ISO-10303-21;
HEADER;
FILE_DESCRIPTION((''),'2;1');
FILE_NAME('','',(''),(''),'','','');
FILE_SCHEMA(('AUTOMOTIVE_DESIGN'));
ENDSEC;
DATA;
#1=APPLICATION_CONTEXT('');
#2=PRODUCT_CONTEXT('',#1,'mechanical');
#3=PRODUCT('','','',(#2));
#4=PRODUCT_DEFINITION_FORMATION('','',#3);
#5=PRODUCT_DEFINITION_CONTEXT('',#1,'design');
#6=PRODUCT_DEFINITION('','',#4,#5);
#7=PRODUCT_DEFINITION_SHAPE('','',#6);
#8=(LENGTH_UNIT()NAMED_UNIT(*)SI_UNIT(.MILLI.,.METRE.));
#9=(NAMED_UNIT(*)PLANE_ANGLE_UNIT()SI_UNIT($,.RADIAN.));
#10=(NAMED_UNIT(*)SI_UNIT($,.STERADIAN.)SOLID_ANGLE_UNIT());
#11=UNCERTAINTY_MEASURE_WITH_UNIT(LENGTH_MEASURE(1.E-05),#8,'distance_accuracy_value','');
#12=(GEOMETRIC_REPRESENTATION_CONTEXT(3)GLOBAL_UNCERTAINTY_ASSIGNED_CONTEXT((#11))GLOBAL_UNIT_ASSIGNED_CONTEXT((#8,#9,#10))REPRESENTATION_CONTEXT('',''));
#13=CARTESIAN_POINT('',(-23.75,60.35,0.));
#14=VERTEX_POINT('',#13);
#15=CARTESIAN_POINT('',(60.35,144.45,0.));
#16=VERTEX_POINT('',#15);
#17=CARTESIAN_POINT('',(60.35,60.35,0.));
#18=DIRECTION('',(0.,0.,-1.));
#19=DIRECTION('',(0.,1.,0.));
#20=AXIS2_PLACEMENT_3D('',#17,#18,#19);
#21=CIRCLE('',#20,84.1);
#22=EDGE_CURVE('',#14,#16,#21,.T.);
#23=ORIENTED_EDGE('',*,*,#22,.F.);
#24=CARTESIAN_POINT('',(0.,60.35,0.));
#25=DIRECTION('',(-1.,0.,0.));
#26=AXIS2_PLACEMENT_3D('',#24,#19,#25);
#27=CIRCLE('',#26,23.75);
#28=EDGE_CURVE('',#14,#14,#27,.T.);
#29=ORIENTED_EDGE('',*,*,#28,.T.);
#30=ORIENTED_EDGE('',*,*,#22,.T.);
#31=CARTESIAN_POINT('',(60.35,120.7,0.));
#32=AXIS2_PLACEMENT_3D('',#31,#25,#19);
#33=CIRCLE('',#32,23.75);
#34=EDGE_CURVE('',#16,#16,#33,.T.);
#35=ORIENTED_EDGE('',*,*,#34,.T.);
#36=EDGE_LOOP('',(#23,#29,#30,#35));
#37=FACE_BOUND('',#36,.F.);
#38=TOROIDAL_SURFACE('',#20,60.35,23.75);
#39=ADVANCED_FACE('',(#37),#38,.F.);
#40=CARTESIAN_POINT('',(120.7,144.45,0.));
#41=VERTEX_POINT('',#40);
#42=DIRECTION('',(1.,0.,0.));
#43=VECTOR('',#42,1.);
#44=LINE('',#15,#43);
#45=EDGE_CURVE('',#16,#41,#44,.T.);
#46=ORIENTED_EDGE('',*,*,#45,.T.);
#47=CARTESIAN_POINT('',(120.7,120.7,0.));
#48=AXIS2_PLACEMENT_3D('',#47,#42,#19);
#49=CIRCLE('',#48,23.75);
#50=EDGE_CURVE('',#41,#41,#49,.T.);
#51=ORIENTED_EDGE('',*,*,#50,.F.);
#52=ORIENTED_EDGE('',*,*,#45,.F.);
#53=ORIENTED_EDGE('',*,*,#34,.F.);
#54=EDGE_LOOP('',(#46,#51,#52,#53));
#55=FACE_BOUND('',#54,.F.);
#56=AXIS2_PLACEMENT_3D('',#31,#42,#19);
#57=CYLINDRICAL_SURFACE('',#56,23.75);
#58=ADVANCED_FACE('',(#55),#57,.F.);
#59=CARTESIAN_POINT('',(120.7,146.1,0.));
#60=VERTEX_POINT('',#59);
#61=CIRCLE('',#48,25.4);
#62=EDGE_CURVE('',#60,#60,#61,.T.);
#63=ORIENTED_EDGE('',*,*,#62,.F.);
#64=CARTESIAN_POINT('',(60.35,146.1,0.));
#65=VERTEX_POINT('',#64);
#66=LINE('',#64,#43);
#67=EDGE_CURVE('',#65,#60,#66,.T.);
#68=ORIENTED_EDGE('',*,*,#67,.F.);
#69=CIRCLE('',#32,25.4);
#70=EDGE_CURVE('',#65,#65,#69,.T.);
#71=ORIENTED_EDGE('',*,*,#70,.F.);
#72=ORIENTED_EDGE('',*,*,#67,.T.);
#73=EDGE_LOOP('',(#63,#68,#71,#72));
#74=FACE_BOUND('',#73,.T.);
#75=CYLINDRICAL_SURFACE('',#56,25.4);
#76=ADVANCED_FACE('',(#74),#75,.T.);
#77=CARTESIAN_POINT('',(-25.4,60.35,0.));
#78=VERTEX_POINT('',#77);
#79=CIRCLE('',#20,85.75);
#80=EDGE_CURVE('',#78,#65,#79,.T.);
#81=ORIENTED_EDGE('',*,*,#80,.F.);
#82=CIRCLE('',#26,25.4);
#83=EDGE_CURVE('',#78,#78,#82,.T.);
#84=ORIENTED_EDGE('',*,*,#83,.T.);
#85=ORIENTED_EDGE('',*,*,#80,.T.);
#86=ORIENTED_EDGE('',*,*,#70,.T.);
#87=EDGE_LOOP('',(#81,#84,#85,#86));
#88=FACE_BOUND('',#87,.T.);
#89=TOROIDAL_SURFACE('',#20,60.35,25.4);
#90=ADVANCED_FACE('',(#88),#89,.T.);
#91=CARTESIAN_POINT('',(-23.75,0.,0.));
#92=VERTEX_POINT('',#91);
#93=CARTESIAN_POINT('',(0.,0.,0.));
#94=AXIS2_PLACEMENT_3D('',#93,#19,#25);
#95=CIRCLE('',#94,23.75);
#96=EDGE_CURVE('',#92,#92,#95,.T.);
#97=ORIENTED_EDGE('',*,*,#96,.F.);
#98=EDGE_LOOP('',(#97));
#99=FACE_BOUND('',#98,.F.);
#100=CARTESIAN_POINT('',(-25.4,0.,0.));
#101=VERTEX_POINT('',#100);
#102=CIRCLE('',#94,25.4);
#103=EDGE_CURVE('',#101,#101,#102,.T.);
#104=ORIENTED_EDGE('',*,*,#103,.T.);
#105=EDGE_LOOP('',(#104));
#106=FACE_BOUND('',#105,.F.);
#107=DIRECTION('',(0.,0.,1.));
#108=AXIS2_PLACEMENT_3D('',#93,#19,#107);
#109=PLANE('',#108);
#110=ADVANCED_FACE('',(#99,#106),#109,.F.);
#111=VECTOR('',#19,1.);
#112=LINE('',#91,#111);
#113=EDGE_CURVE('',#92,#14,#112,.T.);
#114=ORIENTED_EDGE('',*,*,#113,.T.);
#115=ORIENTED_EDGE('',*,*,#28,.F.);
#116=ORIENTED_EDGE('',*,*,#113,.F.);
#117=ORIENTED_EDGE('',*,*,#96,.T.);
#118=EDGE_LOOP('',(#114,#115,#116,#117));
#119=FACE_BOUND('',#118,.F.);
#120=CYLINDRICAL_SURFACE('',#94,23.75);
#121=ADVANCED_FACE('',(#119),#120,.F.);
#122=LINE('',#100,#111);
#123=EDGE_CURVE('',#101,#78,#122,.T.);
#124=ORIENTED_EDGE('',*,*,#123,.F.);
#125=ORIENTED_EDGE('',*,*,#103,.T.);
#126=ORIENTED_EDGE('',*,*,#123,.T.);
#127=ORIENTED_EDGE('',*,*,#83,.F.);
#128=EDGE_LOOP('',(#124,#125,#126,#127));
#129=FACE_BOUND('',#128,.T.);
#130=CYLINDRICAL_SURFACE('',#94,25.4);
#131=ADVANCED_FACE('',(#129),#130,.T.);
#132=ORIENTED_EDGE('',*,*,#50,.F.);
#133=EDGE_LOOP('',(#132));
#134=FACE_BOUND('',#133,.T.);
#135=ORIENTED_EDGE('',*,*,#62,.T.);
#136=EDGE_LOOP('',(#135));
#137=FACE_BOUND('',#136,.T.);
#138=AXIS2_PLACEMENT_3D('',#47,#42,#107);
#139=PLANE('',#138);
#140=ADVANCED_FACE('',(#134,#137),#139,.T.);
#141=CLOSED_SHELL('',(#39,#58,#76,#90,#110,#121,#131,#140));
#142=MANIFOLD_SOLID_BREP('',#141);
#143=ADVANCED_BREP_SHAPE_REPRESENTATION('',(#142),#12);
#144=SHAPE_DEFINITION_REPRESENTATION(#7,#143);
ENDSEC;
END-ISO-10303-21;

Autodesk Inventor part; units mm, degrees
ref_plane "YZ Plane" through (0, 0, 0) normal (1, 0, 0) x (0, 1, 0)
ref_plane "XZ Plane" through (0, 0, 0) normal (0, 1, 0) x (-1, 0, 0)
ref_plane "XY Plane" through (0, 0, 0) normal (0, 0, 1) x (1, 0, 0)
sketch "Sketch1" plane through (0, 0, 0) normal (0, 0, 1) x (1, 0, 0)
  line L0 (0, 0) -> (0, 60.35)
  line L1 (60.35, 120.7) -> (120.7, 120.7)
  arc A0 (60.35, 120.7) -> (0, 60.35) centre (60.35, 60.35) ccw
  dimension "d0" = 120.7
  dimension "d1" = 120.7
  dimension "d2" = 60.35
sketch "Sketch2" plane through (0, 0, 0) normal (0, 1, 0) x (-1, 0, 0)
  circle A0 centre (0, 0) radius 25.4
  circle A1 centre (0, 0) radius 23.75
  dimension "d4" = 1.65
  dimension "d5" = 50.8
sweep "Sweep1" add profiles "Sketch2" path "Sketch1"
equation "\"d1\" = d0"
equation "\"d2\" = 0.5 * d0"
properties part number "ASME BPE 90DEG ELB-50.8"
